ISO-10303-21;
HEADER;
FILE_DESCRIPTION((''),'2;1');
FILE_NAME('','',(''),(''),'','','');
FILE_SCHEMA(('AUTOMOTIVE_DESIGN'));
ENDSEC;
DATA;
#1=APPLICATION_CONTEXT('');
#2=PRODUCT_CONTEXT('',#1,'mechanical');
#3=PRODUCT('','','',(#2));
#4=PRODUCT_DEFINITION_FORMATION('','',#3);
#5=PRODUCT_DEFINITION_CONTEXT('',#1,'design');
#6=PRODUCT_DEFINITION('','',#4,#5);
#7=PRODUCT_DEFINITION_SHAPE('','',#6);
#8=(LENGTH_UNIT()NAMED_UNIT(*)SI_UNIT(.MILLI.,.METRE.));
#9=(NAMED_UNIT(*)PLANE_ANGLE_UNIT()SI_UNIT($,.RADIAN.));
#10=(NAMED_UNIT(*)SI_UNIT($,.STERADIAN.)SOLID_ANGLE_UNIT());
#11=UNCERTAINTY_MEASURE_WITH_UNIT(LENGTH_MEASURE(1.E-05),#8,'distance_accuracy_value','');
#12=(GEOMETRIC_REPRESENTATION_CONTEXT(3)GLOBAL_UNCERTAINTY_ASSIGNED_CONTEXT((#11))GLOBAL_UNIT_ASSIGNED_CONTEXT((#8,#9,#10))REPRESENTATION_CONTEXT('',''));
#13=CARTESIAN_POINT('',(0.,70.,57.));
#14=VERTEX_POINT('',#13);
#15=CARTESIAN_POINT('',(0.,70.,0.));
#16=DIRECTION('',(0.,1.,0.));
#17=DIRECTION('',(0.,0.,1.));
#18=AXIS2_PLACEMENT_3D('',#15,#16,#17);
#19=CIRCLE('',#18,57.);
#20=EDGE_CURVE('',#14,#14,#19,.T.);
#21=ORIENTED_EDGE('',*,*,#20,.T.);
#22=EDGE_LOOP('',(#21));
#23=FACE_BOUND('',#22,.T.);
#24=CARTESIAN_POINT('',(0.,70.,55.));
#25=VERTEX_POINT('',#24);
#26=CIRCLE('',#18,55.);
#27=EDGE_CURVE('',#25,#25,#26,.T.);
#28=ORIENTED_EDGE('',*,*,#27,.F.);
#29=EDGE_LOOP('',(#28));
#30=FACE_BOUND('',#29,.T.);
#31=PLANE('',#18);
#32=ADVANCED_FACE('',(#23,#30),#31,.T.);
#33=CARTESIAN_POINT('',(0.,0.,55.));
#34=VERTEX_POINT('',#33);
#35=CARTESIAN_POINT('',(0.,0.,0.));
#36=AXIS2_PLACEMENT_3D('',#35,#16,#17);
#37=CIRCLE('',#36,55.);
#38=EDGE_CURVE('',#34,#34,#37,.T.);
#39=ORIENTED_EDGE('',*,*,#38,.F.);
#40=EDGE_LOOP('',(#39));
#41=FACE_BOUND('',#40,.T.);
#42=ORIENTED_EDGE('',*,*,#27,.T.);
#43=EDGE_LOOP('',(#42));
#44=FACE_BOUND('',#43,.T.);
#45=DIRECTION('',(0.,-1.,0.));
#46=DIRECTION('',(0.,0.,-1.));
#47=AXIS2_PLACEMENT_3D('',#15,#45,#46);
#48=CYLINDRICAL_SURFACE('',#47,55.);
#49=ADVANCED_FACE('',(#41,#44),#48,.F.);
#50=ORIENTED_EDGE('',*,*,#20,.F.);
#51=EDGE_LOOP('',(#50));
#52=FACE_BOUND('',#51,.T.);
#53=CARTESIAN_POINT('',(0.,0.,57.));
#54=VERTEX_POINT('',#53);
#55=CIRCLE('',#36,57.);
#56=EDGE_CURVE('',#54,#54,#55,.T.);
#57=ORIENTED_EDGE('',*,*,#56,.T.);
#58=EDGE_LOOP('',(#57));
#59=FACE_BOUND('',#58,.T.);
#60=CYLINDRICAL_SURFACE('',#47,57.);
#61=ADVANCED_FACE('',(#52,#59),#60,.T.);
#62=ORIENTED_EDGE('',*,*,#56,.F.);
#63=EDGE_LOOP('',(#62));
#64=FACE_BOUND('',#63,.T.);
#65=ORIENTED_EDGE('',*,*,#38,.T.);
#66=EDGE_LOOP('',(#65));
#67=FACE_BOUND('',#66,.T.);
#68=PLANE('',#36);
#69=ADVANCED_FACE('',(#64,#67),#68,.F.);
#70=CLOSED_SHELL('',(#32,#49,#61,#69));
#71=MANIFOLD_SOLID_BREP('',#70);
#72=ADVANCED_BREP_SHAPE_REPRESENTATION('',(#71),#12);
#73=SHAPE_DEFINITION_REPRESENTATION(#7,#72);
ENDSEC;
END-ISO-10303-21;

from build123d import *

# Parameters (mm, degrees)
SKETCH1_R           = 57
SKETCH1_R_2         = 55
BOSS_EXTRUDE1_DEPTH = 70


with BuildPart() as part:
    # Sketch1 → Boss-Extrude1 (new body)
    with BuildSketch(Plane(origin=(0, 0, 0), x_dir=(1, 0, 0), z_dir=(0, 1, 0))):
        with Locations(Location((0, 0, 0), (0, 0, 270))):
            Circle(SKETCH1_R)
        with Locations(Location((0, 0, 0), (0, 0, 270))):
            Circle(SKETCH1_R_2, mode=Mode.SUBTRACT)
    extrude(amount=BOSS_EXTRUDE1_DEPTH)


solid = part.part
